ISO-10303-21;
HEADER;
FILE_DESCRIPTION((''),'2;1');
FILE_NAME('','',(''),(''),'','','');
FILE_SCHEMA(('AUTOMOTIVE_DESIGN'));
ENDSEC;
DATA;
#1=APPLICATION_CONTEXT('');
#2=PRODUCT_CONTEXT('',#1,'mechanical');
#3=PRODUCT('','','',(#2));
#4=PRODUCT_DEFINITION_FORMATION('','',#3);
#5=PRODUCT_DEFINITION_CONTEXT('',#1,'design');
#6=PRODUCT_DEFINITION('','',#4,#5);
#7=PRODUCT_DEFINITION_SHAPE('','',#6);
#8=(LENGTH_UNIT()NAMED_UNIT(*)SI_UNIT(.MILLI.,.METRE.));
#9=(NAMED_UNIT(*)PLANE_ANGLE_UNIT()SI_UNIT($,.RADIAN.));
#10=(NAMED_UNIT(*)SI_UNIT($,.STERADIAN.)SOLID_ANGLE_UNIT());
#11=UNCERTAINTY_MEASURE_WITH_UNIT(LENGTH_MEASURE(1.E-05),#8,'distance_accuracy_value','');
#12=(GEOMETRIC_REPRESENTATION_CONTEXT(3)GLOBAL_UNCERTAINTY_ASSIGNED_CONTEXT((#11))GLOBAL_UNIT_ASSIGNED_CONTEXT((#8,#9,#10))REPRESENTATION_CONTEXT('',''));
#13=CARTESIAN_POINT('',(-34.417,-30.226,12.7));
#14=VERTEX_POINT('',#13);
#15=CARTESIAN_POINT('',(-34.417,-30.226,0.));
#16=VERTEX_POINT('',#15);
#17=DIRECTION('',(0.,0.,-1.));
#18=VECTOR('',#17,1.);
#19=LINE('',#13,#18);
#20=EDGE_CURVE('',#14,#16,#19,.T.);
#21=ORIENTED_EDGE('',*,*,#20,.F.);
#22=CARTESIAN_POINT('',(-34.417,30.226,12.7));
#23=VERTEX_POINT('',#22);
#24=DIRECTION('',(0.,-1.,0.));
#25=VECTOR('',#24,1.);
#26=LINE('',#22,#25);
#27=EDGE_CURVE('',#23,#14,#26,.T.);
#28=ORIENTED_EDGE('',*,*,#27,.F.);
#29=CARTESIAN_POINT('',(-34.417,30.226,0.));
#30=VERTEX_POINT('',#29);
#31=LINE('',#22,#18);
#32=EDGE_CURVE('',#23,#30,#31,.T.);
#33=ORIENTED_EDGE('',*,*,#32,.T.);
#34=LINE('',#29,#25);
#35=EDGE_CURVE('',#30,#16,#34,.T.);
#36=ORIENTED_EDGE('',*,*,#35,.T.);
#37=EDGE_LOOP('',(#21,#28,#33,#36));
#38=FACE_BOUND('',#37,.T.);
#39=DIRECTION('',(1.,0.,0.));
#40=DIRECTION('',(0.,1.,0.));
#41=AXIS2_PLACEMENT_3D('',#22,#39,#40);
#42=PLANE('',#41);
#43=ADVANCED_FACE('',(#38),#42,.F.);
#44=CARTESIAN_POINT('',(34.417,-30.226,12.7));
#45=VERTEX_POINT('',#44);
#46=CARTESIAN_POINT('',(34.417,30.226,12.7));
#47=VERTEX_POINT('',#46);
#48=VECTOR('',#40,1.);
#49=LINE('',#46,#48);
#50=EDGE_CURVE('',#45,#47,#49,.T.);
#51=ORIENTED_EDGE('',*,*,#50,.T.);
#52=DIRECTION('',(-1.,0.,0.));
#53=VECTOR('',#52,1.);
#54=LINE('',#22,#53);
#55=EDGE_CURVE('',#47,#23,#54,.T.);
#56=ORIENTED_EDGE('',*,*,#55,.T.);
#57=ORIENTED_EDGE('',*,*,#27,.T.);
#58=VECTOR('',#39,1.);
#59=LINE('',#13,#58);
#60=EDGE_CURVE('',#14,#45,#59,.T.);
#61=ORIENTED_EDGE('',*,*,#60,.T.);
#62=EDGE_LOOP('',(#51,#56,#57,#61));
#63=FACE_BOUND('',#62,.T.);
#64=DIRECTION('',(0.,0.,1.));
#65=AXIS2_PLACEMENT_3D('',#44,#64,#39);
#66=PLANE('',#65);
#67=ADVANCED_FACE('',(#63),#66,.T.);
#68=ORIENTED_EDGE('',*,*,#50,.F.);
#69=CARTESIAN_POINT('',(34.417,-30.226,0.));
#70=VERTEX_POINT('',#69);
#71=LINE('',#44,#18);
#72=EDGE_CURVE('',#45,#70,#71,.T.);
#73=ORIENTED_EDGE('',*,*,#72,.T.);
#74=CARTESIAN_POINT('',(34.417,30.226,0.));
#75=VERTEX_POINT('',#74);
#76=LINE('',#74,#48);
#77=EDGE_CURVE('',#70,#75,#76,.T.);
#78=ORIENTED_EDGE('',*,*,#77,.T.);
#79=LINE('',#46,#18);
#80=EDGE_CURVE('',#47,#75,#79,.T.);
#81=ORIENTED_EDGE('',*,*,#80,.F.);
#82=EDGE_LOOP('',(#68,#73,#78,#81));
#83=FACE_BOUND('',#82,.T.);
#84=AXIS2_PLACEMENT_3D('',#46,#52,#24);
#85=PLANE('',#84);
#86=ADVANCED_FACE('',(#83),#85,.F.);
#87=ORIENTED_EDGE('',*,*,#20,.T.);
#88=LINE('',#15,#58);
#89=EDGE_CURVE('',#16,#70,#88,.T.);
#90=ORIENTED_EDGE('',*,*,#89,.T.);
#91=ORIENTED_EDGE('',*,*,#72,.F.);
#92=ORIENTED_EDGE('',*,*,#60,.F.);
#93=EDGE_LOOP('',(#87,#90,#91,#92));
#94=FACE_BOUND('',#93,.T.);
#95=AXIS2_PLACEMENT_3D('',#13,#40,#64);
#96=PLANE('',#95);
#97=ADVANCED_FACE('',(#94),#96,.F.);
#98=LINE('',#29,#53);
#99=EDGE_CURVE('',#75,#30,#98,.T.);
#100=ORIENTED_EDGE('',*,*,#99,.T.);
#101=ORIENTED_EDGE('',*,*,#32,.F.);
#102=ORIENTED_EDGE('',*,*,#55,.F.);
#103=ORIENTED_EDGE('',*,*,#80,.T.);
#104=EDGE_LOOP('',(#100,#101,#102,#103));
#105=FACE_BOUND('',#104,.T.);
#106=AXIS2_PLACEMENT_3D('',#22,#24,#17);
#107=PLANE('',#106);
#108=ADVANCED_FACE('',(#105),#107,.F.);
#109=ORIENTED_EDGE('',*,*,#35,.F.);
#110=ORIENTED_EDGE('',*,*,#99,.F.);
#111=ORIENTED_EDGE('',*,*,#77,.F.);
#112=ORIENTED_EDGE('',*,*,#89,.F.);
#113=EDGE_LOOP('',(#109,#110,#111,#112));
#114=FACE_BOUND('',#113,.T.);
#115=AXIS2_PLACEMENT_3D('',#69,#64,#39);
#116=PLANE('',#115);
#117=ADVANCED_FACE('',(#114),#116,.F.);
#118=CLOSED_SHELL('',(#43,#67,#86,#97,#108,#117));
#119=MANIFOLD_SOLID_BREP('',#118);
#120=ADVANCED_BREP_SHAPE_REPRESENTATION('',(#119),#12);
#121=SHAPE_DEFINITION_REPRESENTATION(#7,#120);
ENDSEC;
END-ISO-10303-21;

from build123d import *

# Parameters (mm, degrees)
ESQUISSE1_W        = 68.834
ESQUISSE1_H        = 60.452
BOSS_EXTRU_1_DEPTH = 12.7


with BuildPart() as part:
    # Esquisse1 → Boss.-Extru.1 (new body)
    with BuildSketch(Plane.XY):
        Rectangle(ESQUISSE1_W, ESQUISSE1_H)
    extrude(amount=BOSS_EXTRU_1_DEPTH)


solid = part.part
